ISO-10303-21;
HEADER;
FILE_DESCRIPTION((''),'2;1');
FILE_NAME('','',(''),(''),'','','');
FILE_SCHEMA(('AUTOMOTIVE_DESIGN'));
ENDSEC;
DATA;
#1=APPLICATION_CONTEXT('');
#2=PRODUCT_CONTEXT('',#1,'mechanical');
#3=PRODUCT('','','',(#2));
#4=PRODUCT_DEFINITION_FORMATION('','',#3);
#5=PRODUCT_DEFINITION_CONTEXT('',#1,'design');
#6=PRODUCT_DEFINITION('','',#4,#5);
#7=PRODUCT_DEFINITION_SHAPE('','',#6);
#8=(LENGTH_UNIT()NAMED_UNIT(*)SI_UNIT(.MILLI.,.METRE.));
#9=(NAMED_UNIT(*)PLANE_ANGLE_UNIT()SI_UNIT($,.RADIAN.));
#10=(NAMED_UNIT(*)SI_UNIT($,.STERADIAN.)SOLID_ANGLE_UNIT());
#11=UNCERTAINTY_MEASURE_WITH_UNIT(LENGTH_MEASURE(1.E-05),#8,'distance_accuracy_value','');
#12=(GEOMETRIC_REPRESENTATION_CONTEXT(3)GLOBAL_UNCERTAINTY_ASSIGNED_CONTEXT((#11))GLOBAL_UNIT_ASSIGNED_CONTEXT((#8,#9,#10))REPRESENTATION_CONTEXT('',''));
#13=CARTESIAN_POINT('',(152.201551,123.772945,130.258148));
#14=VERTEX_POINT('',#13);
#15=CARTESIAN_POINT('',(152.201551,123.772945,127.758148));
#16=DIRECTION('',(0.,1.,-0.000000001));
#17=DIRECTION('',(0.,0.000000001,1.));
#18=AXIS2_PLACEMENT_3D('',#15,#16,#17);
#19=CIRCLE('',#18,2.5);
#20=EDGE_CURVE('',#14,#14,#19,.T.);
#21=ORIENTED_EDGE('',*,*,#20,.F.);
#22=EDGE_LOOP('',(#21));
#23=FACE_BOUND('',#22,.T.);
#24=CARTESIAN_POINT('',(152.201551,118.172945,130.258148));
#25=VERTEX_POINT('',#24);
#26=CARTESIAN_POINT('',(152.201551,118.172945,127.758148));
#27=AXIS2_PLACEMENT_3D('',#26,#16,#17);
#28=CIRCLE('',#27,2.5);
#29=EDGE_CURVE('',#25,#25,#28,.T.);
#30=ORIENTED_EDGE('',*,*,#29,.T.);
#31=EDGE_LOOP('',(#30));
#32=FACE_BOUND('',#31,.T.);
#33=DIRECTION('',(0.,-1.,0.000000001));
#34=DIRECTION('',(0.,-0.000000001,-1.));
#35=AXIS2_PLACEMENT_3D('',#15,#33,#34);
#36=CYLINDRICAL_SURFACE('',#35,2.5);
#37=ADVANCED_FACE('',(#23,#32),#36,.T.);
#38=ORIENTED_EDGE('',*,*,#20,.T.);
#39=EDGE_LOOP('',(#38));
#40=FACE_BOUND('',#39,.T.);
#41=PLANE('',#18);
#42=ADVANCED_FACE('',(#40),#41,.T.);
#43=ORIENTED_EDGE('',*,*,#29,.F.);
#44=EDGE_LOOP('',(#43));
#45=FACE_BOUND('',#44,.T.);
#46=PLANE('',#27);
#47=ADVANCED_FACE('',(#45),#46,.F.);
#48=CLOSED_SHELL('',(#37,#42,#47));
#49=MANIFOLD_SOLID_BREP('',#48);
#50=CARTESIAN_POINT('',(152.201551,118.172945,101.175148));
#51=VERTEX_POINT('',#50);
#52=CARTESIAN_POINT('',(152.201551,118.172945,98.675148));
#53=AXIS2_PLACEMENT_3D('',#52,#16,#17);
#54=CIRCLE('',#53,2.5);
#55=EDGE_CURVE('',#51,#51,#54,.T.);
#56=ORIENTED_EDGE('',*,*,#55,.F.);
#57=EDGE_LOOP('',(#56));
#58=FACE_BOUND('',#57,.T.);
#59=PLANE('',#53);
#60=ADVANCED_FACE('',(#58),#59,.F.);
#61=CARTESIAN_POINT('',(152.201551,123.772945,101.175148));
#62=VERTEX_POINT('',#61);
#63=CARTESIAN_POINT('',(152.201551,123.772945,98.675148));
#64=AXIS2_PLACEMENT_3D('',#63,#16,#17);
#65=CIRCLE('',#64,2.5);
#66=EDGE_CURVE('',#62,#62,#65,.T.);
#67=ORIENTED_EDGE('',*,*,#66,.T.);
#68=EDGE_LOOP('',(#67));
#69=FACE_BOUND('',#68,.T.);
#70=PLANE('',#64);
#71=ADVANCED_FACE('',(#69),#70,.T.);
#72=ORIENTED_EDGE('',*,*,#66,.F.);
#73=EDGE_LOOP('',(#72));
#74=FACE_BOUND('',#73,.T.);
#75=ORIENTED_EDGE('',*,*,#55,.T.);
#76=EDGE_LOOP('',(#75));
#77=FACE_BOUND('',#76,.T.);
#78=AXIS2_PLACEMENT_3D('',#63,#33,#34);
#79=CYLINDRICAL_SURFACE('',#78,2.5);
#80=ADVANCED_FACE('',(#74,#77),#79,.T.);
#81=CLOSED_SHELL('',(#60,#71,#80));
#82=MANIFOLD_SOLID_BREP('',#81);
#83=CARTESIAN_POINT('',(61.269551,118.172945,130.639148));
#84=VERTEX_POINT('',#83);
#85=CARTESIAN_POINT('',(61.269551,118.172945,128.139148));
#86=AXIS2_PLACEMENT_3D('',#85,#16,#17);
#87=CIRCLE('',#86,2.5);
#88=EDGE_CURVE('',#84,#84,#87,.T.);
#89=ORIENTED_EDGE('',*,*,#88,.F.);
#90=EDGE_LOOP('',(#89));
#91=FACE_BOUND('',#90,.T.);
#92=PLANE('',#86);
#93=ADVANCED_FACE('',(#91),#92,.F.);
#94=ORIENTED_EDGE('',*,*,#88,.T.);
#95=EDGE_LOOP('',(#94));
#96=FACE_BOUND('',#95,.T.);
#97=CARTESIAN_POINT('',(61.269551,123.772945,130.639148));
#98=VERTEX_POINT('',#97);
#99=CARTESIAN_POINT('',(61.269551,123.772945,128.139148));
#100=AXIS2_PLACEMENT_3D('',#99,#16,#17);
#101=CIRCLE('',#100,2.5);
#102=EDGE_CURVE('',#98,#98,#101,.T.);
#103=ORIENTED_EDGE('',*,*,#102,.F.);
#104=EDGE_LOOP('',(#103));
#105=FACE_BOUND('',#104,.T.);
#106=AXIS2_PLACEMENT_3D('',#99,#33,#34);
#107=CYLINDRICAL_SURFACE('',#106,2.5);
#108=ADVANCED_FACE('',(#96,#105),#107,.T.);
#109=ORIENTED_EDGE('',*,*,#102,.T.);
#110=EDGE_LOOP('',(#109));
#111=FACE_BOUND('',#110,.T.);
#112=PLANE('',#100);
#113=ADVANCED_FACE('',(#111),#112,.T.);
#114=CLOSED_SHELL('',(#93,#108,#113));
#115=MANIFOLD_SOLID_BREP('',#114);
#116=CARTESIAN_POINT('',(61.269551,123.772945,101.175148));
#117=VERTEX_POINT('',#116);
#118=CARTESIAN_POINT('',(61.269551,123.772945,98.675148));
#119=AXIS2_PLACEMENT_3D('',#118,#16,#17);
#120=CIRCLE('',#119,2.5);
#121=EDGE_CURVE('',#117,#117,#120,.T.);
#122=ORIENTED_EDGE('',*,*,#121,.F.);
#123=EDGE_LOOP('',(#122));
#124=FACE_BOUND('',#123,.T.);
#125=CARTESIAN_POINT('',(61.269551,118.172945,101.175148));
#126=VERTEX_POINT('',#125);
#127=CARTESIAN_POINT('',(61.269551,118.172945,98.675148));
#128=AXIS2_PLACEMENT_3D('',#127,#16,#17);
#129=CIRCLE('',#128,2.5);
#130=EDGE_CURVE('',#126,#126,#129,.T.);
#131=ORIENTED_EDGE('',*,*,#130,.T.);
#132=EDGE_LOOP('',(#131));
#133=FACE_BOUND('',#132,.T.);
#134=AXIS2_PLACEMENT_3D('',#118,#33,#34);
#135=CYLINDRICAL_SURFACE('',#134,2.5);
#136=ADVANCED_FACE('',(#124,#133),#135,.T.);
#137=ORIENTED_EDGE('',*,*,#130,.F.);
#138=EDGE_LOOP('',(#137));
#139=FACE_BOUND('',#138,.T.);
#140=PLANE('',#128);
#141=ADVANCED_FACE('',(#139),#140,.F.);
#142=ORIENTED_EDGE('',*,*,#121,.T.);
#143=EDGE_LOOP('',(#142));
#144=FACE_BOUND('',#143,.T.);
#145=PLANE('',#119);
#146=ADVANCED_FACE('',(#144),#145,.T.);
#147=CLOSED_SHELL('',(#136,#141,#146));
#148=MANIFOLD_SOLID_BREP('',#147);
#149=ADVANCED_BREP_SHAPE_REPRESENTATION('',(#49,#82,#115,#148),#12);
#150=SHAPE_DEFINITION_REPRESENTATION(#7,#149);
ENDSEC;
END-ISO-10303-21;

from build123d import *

# Parameters (mm, degrees)
SKETCH1_R             = 2.5
BOSS_EXTRUDE1_DEPTH   = 5.6
BOSS_EXTRUDE1_2_DEPTH = 5.6
BOSS_EXTRUDE1_3_DEPTH = 5.6
BOSS_EXTRUDE1_4_DEPTH = 5.6


with BuildPart() as part:
    # Sketch1 → Boss-Extrude1 (new body)
    with BuildSketch(Plane(origin=(0, 118.172945129, -8.6e-08), x_dir=(1, 0, 0), z_dir=(0, 1.0, -7.252377726141292e-10))):
        with Locations(Location((152.201551007, -98.67514808, 0), (0, 0, 270))):
            Circle(SKETCH1_R)
    extrude(amount=BOSS_EXTRUDE1_DEPTH)


with BuildPart() as body_2:
    # Sketch1 → Boss-Extrude1 2 (new body)
    with BuildSketch(Plane(origin=(0, 118.172945129, -8.6e-08), x_dir=(1, 0, 0), z_dir=(0, 1.0, -7.252377726141292e-10))):
        with Locations(Location((61.269551007, -98.67514808, 0), (0, 0, 270))):
            Circle(SKETCH1_R)
    extrude(amount=BOSS_EXTRUDE1_2_DEPTH)


with BuildPart() as body_3:
    # Sketch1 → Boss-Extrude1 3 (new body)
    with BuildSketch(Plane(origin=(0, 118.172945129, -8.6e-08), x_dir=(1, 0, 0), z_dir=(0, 1.0, -7.252377726141292e-10))):
        with Locations(Location((61.269551007, -128.13914808, 0), (0, 0, 270))):
            Circle(SKETCH1_R)
    extrude(amount=BOSS_EXTRUDE1_3_DEPTH)


with BuildPart() as body_4:
    # Sketch1 → Boss-Extrude1 4 (new body)
    with BuildSketch(Plane(origin=(0, 118.172945129, -8.6e-08), x_dir=(1, 0, 0), z_dir=(0, 1.0, -7.252377726141292e-10))):
        with Locations(Location((152.201551007, -127.75814808, 0), (0, 0, 270))):
            Circle(SKETCH1_R)
    extrude(amount=BOSS_EXTRUDE1_4_DEPTH)


solid = Compound([part.part, body_2.part, body_3.part, body_4.part])
